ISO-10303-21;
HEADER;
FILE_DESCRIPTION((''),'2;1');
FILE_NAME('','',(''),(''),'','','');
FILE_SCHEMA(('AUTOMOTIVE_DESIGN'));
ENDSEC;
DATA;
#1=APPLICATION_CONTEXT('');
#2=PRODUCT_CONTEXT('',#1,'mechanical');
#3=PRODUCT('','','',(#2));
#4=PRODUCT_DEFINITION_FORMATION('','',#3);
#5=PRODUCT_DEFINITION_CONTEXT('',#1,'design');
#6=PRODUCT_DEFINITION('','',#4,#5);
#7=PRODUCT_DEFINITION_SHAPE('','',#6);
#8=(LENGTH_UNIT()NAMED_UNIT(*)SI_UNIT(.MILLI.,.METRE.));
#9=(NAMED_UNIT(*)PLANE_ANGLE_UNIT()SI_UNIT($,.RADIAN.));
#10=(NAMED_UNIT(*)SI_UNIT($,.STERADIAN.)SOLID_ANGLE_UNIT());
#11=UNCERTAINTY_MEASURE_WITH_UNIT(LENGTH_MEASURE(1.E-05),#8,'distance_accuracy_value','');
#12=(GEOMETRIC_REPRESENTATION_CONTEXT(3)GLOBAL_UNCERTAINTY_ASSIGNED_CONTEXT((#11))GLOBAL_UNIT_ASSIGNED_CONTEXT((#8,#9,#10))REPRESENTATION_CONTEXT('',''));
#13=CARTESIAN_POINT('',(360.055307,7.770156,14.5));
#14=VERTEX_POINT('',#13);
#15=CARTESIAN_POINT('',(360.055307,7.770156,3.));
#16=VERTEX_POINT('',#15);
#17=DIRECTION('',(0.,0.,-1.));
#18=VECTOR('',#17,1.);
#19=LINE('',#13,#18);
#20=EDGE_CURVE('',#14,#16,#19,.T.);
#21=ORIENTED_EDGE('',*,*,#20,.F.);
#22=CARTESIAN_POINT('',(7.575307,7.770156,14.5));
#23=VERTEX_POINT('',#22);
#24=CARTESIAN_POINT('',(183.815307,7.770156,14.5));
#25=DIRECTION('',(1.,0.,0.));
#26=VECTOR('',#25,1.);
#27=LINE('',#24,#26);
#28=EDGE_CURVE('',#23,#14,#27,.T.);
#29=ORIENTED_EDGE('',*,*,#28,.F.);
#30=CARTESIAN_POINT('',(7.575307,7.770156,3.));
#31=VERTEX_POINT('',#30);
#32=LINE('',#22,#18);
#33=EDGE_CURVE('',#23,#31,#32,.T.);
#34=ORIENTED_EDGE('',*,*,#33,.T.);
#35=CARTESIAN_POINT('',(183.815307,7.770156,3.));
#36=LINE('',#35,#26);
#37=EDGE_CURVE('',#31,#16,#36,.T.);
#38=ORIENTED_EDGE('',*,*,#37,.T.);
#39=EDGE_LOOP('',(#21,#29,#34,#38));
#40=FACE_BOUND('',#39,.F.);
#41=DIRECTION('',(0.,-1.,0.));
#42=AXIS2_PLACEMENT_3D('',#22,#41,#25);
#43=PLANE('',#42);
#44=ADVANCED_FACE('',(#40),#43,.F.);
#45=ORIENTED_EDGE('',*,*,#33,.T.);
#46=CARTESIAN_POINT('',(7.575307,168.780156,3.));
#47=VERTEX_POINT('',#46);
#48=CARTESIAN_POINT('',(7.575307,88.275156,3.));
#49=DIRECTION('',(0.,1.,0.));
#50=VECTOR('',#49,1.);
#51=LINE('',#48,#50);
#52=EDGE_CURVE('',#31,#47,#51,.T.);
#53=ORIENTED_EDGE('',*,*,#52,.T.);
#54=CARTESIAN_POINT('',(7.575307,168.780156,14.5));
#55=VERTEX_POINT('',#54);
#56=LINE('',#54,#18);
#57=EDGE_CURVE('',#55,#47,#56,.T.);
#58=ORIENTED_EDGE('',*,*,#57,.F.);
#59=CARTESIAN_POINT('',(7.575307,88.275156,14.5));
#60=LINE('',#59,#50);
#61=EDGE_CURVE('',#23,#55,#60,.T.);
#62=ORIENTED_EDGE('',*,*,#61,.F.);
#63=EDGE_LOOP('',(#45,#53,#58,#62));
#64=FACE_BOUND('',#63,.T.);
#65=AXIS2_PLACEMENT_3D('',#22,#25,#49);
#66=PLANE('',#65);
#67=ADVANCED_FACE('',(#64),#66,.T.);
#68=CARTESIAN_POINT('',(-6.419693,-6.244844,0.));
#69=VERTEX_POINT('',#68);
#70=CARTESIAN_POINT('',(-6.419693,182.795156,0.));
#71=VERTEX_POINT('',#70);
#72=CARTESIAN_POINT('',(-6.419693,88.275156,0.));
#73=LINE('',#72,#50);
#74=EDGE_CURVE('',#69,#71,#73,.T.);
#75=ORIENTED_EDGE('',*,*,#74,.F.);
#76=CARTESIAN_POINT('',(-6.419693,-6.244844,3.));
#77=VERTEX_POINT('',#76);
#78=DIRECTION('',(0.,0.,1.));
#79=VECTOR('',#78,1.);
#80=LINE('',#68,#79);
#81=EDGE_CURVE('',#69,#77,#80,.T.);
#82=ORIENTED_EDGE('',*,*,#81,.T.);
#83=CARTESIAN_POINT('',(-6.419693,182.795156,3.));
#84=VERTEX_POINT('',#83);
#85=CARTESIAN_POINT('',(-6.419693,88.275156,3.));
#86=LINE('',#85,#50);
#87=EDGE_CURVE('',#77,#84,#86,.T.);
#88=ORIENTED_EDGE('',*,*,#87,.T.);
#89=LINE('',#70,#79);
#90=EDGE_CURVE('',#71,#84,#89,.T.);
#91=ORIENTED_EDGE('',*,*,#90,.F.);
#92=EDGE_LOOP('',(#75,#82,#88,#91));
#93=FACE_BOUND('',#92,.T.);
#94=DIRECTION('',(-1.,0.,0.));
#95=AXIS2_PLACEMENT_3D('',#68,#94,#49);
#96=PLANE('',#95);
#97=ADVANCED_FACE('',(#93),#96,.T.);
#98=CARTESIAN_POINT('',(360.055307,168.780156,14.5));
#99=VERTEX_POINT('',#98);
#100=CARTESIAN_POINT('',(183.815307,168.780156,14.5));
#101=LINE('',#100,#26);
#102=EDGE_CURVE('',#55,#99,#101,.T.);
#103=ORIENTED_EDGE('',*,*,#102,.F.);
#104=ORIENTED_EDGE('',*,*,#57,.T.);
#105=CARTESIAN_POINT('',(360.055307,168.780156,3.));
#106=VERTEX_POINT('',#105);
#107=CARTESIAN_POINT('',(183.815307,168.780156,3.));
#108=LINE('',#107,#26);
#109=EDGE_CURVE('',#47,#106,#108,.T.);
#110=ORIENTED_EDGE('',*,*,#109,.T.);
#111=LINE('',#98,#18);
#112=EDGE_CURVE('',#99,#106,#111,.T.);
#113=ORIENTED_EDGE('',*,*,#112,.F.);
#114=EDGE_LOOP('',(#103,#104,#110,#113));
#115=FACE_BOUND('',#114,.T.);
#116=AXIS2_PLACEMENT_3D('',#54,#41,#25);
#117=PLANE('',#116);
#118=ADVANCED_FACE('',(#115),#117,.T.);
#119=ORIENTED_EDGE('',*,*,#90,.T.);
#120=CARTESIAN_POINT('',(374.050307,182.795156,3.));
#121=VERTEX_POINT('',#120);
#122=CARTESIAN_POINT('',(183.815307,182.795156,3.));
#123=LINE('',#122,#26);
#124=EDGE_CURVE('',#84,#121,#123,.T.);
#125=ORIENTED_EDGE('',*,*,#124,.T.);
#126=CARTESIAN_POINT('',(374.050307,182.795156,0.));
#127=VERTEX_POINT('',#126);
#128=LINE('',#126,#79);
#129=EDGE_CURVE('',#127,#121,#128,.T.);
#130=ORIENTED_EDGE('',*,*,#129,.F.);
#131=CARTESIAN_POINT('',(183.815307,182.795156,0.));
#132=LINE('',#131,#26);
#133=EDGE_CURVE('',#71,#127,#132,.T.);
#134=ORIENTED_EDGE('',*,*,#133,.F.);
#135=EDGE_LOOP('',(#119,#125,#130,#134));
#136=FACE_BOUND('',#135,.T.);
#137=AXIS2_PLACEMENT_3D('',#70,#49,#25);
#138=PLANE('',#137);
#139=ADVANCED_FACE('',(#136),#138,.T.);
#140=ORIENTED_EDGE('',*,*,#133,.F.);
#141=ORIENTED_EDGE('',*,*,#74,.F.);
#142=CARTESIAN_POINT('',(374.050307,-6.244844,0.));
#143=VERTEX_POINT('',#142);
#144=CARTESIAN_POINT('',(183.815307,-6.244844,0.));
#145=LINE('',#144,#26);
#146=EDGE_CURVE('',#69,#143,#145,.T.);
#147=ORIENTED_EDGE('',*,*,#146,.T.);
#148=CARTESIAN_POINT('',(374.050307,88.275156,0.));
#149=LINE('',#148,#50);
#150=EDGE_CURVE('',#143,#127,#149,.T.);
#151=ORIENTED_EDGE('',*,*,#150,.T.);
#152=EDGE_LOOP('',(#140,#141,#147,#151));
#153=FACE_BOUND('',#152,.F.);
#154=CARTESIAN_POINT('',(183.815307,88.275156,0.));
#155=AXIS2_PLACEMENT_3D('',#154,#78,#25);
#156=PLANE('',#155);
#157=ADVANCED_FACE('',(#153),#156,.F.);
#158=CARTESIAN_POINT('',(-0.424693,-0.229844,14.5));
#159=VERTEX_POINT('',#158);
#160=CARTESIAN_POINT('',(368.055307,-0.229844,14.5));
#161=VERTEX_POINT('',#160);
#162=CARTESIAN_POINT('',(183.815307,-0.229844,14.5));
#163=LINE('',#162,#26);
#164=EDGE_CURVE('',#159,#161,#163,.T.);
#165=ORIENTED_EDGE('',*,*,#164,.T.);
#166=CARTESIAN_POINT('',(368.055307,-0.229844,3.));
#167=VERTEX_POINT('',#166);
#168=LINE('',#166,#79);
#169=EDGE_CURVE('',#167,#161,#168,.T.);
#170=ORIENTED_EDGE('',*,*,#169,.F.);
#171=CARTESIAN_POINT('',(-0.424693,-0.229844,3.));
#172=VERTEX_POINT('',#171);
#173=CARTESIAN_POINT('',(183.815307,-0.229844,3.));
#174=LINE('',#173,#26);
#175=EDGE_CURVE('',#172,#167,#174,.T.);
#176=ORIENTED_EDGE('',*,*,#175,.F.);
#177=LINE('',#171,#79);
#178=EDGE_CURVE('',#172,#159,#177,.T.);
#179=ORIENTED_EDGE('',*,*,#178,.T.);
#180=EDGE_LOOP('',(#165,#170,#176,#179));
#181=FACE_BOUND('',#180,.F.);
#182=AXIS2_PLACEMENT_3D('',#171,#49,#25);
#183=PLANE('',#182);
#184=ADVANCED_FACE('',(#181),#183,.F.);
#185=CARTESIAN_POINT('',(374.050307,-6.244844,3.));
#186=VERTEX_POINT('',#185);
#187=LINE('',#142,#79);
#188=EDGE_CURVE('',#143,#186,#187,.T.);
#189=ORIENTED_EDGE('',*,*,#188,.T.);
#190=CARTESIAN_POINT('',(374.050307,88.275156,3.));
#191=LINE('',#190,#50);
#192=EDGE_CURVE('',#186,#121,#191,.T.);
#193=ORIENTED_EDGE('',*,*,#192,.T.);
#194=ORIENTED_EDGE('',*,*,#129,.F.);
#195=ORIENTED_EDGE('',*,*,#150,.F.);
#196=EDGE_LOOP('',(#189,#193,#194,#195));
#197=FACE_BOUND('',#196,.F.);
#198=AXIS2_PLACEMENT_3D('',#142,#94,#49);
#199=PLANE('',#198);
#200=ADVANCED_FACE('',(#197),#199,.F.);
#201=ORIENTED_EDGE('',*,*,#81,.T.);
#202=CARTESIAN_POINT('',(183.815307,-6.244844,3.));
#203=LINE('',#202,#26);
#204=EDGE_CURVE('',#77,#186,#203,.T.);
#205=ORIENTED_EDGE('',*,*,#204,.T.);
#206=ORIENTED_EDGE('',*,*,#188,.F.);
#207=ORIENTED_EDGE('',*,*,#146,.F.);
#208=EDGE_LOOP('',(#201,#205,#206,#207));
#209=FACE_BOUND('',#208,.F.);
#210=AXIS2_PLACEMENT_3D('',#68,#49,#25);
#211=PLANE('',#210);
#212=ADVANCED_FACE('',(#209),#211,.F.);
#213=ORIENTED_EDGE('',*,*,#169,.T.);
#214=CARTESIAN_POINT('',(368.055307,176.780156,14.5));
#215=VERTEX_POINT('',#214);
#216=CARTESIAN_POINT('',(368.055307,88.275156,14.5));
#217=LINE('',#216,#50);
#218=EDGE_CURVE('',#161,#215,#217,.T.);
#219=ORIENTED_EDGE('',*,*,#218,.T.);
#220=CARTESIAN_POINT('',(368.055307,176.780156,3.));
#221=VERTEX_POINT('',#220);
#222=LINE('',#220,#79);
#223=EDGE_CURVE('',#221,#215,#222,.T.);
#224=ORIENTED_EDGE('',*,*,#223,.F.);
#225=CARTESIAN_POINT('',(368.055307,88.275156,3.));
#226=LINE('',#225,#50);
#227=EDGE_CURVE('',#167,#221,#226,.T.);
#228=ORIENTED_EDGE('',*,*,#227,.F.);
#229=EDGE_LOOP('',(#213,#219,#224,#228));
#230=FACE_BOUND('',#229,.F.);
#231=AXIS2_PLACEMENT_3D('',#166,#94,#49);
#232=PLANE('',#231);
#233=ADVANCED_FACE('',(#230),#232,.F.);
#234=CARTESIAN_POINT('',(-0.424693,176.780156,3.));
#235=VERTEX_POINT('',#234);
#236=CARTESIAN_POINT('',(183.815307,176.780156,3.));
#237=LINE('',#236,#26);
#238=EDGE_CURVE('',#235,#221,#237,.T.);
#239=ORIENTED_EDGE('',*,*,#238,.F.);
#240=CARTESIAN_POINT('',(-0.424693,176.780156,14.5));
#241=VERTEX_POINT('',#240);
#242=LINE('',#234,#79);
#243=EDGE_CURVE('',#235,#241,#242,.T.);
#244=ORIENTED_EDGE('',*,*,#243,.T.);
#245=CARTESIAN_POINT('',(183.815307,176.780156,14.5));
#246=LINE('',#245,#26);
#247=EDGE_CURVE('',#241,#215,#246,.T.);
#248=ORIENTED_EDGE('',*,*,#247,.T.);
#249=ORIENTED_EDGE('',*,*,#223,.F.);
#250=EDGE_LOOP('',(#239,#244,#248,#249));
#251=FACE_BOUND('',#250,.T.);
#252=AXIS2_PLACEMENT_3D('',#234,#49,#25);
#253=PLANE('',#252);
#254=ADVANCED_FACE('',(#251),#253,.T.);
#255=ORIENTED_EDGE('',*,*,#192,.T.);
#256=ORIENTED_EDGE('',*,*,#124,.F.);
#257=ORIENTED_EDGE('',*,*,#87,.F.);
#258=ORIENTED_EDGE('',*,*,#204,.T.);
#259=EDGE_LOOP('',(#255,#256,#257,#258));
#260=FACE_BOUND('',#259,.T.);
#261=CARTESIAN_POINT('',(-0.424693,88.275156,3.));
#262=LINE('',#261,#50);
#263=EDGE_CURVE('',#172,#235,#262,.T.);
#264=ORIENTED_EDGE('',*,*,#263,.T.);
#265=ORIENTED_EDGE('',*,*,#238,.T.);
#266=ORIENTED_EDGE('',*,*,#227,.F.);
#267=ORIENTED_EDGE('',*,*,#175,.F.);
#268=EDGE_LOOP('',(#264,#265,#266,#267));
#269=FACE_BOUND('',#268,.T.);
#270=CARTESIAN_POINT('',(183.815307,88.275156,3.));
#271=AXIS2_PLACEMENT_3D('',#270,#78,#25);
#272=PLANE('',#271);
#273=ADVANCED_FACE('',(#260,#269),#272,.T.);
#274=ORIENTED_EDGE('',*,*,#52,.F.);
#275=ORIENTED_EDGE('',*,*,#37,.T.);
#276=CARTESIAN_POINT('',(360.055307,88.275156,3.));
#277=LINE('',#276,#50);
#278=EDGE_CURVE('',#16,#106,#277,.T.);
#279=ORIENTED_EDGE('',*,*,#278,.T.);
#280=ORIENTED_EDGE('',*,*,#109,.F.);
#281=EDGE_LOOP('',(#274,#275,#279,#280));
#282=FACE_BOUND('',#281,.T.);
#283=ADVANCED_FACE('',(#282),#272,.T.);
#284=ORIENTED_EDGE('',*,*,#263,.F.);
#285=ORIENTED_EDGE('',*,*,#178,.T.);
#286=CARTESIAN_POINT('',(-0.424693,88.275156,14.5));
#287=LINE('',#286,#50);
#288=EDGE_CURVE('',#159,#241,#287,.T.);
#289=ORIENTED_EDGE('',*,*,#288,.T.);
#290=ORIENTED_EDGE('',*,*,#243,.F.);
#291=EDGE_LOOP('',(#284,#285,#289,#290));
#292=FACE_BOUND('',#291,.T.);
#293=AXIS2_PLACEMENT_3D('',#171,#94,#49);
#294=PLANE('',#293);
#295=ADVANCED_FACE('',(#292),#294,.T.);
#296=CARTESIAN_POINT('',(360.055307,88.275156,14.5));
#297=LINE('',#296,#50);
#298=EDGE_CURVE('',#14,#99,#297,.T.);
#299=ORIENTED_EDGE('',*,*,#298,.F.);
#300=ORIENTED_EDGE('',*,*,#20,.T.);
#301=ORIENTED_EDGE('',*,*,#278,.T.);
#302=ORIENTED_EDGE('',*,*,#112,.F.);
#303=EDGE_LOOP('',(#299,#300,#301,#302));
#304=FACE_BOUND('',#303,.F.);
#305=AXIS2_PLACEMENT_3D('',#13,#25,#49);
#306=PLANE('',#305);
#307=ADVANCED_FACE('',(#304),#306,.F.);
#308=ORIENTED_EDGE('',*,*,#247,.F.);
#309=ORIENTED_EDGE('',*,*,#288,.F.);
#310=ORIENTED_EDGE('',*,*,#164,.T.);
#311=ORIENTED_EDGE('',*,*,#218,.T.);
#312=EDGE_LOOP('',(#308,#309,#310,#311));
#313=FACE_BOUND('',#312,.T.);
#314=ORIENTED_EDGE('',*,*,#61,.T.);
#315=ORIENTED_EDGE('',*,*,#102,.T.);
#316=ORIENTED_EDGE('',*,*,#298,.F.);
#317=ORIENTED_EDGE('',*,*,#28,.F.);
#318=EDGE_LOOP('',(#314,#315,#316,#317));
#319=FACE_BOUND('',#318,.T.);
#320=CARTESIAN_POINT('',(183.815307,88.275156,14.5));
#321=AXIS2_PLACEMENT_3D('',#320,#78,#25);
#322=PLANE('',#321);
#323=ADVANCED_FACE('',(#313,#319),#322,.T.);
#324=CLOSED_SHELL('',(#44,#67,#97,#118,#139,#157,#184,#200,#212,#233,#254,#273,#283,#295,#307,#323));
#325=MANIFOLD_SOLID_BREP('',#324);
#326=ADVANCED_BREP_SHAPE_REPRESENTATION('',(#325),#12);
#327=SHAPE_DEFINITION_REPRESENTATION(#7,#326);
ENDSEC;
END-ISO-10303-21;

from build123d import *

# Parameters (mm, degrees)
SKETCH_2_W          = 380.47
SKETCH_2_H          = 189.04
EXTRUDE_1_DEPTH     = 3
SKETCH_3_W          = 368.48
SKETCH_3_H          = 177.01
EXTRUDE_2_DEPTH     = 11.5
SKETCH_4_W          = 352.48
SKETCH_4_H          = 161.01
CUT_EXTRUDE_1_DEPTH = 11.5


with BuildPart() as part:
    # 草图2 → 凸台-拉伸1 (new body)
    with BuildSketch(Plane.XY):
        with Locations((183.815306963, 88.27515573)):
            Rectangle(SKETCH_2_W, SKETCH_2_H)
    extrude(amount=EXTRUDE_1_DEPTH)

    # 草图3 → 凸台-拉伸2 (add)
    with BuildSketch(Plane.XY.offset(3)):
        with Locations((183.815306963, 88.27515573)):
            Rectangle(SKETCH_3_W, SKETCH_3_H)
    extrude(amount=EXTRUDE_2_DEPTH)

    # 草图4 → 切除-拉伸1 (cut)
    with BuildSketch(Plane.XY.offset(14.5)):
        with Locations((183.815306963, 88.27515573)):
            Rectangle(SKETCH_4_W, SKETCH_4_H)
    extrude(amount=-CUT_EXTRUDE_1_DEPTH, mode=Mode.SUBTRACT)


solid = part.part
